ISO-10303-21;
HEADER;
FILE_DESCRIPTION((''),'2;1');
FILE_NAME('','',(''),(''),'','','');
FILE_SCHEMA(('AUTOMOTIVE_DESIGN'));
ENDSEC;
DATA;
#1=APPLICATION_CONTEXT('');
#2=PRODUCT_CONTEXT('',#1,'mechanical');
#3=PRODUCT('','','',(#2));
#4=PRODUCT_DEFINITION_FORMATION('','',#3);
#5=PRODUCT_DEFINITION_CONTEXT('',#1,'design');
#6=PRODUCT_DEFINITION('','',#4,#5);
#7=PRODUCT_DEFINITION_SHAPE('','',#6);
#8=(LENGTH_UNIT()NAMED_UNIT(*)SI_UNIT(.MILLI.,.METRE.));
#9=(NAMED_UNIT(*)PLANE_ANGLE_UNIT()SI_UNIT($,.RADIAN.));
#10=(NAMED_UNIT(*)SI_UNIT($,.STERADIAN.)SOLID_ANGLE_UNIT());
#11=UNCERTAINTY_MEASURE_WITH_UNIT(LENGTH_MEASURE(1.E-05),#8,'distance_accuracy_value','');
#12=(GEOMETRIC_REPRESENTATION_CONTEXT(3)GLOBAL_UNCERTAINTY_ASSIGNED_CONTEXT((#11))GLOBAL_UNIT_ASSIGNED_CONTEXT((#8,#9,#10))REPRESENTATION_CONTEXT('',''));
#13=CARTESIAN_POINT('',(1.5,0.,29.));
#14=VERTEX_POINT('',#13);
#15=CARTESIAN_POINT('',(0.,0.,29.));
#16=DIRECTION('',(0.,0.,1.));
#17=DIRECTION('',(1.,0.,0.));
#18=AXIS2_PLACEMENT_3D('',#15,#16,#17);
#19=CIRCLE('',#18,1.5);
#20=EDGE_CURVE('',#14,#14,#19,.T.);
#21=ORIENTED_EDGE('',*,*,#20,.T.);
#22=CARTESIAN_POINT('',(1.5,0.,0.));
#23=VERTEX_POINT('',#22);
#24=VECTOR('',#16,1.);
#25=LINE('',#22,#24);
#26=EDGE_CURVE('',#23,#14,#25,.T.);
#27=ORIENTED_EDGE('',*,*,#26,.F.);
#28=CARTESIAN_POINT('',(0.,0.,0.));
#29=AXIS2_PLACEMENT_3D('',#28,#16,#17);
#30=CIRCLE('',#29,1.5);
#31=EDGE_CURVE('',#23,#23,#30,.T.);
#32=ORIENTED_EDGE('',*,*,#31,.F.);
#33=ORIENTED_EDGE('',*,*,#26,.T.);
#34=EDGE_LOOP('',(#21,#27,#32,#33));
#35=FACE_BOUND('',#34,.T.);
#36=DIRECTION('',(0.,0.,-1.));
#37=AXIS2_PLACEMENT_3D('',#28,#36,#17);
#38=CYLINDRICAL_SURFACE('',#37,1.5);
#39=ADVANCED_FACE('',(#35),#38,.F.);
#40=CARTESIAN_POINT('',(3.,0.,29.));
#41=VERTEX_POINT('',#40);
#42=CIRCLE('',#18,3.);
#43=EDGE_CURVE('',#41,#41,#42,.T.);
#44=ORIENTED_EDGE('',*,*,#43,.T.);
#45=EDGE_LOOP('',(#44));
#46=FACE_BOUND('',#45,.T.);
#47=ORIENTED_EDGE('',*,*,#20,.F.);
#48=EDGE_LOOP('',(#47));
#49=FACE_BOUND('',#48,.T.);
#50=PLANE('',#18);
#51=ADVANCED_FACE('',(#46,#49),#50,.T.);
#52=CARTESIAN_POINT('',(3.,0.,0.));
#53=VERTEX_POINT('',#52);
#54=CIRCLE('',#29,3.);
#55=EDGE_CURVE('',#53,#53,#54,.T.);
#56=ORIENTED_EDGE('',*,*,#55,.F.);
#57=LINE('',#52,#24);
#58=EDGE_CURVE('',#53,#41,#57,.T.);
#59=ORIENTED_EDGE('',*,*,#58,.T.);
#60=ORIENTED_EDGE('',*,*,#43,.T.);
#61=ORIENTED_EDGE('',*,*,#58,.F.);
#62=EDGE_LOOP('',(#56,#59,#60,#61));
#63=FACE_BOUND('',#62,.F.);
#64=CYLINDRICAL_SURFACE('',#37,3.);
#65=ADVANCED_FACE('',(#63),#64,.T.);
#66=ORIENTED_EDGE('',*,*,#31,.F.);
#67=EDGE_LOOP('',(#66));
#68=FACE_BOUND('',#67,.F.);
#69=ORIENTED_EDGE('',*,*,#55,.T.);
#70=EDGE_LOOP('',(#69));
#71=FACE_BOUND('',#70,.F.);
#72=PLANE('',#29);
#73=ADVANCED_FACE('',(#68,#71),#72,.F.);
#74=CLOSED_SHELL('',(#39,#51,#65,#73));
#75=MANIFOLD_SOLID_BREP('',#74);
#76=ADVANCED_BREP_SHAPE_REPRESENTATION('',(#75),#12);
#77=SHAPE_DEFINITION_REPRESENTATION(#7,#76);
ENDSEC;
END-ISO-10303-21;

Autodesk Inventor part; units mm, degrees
ref_plane "YZ Plane" through (0, 0, 0) normal (1, 0, 0) x (0, 1, 0)
ref_plane "XZ Plane" through (0, 0, 0) normal (0, 1, 0) x (-1, 0, 0)
ref_plane "XY Plane" through (0, 0, 0) normal (0, 0, 1) x (1, 0, 0)
sketch "スケッチ1" plane through (0, 0, 0) normal (0, 0, 1) x (1, 0, 0)
  circle A0 centre (0, 0) radius 3
  circle A1 centre (0, 0) radius 1.5
  dimension "d0" = 6
  dimension "d1" = 3
extrude "押し出し1" add sketch "スケッチ1" along normal blind 29
properties part number "スペーサーm3-アーム調整　簡易筒型"
